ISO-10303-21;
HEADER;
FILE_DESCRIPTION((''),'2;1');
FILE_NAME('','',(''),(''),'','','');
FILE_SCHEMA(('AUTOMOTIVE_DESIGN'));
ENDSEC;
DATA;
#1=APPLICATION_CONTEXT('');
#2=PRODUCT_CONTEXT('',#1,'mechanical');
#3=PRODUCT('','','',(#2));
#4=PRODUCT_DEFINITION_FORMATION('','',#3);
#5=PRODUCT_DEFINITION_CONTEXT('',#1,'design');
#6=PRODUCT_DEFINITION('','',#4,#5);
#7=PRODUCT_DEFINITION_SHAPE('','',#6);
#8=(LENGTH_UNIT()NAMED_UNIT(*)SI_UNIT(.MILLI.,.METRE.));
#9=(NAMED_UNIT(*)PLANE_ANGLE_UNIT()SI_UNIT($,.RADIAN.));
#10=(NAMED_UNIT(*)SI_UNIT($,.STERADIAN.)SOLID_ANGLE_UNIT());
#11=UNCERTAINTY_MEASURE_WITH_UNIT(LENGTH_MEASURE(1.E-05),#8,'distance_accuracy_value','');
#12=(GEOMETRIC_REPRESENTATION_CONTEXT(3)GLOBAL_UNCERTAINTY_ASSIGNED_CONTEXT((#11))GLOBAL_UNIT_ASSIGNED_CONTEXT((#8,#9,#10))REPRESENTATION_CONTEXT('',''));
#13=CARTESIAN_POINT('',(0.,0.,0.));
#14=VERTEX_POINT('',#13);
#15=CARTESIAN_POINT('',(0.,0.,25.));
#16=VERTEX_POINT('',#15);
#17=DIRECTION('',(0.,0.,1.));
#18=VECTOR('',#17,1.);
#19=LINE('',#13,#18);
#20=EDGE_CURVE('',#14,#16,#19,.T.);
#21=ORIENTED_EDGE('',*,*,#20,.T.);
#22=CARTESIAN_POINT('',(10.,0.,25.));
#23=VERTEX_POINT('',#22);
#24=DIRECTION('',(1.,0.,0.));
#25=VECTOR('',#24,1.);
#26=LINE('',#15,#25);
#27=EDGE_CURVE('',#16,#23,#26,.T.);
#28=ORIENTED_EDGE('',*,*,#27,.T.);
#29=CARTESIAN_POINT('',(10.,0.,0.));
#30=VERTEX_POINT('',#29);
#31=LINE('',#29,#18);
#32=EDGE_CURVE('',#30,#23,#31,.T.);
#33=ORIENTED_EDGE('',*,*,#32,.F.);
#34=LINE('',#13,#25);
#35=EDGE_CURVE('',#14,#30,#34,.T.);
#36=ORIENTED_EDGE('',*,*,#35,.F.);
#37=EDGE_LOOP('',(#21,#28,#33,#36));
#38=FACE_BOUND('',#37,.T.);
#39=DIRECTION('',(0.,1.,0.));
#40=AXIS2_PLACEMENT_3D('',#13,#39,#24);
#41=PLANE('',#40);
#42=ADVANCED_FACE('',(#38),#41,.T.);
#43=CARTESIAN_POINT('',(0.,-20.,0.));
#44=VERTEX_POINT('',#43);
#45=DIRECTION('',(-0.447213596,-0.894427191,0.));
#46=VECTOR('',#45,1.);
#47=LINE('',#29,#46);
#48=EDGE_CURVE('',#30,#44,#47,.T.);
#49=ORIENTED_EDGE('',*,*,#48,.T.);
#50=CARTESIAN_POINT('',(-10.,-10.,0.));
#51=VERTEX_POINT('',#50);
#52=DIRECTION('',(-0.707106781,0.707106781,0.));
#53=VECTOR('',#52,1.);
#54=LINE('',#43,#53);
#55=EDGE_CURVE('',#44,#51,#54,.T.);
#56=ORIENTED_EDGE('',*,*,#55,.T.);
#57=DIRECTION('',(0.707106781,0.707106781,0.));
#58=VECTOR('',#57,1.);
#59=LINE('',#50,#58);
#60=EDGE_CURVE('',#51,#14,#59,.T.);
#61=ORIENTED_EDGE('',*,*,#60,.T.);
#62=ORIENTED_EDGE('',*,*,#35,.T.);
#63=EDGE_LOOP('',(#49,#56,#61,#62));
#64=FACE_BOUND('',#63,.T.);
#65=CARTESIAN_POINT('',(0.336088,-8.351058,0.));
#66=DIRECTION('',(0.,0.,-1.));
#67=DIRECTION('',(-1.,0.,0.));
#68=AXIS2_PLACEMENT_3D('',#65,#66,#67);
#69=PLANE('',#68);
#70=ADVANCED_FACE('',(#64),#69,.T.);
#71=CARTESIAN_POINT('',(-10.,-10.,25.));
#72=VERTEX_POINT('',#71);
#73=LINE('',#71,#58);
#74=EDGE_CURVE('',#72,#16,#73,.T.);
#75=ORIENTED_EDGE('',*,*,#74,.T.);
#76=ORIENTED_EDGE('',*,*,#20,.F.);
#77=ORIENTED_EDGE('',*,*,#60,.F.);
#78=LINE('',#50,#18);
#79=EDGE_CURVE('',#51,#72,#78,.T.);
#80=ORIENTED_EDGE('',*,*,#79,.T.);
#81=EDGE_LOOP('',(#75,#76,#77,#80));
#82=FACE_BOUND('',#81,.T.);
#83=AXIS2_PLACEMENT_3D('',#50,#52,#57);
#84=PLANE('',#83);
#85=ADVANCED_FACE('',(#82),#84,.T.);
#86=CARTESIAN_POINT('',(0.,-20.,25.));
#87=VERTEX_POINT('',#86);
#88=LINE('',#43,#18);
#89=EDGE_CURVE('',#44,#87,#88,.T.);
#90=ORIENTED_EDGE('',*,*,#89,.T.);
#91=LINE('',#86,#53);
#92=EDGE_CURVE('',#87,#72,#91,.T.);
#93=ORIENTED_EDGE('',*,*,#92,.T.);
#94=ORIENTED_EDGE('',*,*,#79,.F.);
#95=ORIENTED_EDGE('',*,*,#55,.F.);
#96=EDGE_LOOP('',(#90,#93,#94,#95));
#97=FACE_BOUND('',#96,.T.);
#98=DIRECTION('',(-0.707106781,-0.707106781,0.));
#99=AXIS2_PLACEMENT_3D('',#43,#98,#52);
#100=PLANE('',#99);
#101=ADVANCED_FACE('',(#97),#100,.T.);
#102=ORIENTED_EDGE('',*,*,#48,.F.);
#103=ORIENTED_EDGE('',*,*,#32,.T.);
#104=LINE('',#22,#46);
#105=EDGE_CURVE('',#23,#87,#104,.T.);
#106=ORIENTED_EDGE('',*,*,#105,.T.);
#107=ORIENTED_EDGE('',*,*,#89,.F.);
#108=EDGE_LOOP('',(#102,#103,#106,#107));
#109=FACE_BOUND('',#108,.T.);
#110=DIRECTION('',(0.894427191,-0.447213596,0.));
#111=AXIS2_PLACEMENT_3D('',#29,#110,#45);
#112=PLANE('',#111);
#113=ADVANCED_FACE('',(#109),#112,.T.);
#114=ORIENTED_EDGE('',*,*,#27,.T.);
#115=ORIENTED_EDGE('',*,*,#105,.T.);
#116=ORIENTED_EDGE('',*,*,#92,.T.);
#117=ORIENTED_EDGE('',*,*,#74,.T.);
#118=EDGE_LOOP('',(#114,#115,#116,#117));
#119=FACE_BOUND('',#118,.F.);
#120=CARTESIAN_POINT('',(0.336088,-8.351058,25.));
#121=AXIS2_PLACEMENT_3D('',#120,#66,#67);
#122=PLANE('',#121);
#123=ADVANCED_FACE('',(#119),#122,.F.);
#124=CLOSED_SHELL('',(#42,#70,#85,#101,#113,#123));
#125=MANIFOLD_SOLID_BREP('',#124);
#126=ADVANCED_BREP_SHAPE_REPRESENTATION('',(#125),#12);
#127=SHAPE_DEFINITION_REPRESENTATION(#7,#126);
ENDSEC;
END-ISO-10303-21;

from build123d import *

# Parameters (mm, degrees)
BOSS_EXTRUDE1_DEPTH = 25


with BuildPart() as part:
    # Sketch1 → Boss-Extrude1 (new body)
    with BuildSketch(Plane.XY):
        Polygon((0, 0), (10, 0), (0, -20), (-10, -10), align=None)
    extrude(amount=BOSS_EXTRUDE1_DEPTH)


solid = part.part
